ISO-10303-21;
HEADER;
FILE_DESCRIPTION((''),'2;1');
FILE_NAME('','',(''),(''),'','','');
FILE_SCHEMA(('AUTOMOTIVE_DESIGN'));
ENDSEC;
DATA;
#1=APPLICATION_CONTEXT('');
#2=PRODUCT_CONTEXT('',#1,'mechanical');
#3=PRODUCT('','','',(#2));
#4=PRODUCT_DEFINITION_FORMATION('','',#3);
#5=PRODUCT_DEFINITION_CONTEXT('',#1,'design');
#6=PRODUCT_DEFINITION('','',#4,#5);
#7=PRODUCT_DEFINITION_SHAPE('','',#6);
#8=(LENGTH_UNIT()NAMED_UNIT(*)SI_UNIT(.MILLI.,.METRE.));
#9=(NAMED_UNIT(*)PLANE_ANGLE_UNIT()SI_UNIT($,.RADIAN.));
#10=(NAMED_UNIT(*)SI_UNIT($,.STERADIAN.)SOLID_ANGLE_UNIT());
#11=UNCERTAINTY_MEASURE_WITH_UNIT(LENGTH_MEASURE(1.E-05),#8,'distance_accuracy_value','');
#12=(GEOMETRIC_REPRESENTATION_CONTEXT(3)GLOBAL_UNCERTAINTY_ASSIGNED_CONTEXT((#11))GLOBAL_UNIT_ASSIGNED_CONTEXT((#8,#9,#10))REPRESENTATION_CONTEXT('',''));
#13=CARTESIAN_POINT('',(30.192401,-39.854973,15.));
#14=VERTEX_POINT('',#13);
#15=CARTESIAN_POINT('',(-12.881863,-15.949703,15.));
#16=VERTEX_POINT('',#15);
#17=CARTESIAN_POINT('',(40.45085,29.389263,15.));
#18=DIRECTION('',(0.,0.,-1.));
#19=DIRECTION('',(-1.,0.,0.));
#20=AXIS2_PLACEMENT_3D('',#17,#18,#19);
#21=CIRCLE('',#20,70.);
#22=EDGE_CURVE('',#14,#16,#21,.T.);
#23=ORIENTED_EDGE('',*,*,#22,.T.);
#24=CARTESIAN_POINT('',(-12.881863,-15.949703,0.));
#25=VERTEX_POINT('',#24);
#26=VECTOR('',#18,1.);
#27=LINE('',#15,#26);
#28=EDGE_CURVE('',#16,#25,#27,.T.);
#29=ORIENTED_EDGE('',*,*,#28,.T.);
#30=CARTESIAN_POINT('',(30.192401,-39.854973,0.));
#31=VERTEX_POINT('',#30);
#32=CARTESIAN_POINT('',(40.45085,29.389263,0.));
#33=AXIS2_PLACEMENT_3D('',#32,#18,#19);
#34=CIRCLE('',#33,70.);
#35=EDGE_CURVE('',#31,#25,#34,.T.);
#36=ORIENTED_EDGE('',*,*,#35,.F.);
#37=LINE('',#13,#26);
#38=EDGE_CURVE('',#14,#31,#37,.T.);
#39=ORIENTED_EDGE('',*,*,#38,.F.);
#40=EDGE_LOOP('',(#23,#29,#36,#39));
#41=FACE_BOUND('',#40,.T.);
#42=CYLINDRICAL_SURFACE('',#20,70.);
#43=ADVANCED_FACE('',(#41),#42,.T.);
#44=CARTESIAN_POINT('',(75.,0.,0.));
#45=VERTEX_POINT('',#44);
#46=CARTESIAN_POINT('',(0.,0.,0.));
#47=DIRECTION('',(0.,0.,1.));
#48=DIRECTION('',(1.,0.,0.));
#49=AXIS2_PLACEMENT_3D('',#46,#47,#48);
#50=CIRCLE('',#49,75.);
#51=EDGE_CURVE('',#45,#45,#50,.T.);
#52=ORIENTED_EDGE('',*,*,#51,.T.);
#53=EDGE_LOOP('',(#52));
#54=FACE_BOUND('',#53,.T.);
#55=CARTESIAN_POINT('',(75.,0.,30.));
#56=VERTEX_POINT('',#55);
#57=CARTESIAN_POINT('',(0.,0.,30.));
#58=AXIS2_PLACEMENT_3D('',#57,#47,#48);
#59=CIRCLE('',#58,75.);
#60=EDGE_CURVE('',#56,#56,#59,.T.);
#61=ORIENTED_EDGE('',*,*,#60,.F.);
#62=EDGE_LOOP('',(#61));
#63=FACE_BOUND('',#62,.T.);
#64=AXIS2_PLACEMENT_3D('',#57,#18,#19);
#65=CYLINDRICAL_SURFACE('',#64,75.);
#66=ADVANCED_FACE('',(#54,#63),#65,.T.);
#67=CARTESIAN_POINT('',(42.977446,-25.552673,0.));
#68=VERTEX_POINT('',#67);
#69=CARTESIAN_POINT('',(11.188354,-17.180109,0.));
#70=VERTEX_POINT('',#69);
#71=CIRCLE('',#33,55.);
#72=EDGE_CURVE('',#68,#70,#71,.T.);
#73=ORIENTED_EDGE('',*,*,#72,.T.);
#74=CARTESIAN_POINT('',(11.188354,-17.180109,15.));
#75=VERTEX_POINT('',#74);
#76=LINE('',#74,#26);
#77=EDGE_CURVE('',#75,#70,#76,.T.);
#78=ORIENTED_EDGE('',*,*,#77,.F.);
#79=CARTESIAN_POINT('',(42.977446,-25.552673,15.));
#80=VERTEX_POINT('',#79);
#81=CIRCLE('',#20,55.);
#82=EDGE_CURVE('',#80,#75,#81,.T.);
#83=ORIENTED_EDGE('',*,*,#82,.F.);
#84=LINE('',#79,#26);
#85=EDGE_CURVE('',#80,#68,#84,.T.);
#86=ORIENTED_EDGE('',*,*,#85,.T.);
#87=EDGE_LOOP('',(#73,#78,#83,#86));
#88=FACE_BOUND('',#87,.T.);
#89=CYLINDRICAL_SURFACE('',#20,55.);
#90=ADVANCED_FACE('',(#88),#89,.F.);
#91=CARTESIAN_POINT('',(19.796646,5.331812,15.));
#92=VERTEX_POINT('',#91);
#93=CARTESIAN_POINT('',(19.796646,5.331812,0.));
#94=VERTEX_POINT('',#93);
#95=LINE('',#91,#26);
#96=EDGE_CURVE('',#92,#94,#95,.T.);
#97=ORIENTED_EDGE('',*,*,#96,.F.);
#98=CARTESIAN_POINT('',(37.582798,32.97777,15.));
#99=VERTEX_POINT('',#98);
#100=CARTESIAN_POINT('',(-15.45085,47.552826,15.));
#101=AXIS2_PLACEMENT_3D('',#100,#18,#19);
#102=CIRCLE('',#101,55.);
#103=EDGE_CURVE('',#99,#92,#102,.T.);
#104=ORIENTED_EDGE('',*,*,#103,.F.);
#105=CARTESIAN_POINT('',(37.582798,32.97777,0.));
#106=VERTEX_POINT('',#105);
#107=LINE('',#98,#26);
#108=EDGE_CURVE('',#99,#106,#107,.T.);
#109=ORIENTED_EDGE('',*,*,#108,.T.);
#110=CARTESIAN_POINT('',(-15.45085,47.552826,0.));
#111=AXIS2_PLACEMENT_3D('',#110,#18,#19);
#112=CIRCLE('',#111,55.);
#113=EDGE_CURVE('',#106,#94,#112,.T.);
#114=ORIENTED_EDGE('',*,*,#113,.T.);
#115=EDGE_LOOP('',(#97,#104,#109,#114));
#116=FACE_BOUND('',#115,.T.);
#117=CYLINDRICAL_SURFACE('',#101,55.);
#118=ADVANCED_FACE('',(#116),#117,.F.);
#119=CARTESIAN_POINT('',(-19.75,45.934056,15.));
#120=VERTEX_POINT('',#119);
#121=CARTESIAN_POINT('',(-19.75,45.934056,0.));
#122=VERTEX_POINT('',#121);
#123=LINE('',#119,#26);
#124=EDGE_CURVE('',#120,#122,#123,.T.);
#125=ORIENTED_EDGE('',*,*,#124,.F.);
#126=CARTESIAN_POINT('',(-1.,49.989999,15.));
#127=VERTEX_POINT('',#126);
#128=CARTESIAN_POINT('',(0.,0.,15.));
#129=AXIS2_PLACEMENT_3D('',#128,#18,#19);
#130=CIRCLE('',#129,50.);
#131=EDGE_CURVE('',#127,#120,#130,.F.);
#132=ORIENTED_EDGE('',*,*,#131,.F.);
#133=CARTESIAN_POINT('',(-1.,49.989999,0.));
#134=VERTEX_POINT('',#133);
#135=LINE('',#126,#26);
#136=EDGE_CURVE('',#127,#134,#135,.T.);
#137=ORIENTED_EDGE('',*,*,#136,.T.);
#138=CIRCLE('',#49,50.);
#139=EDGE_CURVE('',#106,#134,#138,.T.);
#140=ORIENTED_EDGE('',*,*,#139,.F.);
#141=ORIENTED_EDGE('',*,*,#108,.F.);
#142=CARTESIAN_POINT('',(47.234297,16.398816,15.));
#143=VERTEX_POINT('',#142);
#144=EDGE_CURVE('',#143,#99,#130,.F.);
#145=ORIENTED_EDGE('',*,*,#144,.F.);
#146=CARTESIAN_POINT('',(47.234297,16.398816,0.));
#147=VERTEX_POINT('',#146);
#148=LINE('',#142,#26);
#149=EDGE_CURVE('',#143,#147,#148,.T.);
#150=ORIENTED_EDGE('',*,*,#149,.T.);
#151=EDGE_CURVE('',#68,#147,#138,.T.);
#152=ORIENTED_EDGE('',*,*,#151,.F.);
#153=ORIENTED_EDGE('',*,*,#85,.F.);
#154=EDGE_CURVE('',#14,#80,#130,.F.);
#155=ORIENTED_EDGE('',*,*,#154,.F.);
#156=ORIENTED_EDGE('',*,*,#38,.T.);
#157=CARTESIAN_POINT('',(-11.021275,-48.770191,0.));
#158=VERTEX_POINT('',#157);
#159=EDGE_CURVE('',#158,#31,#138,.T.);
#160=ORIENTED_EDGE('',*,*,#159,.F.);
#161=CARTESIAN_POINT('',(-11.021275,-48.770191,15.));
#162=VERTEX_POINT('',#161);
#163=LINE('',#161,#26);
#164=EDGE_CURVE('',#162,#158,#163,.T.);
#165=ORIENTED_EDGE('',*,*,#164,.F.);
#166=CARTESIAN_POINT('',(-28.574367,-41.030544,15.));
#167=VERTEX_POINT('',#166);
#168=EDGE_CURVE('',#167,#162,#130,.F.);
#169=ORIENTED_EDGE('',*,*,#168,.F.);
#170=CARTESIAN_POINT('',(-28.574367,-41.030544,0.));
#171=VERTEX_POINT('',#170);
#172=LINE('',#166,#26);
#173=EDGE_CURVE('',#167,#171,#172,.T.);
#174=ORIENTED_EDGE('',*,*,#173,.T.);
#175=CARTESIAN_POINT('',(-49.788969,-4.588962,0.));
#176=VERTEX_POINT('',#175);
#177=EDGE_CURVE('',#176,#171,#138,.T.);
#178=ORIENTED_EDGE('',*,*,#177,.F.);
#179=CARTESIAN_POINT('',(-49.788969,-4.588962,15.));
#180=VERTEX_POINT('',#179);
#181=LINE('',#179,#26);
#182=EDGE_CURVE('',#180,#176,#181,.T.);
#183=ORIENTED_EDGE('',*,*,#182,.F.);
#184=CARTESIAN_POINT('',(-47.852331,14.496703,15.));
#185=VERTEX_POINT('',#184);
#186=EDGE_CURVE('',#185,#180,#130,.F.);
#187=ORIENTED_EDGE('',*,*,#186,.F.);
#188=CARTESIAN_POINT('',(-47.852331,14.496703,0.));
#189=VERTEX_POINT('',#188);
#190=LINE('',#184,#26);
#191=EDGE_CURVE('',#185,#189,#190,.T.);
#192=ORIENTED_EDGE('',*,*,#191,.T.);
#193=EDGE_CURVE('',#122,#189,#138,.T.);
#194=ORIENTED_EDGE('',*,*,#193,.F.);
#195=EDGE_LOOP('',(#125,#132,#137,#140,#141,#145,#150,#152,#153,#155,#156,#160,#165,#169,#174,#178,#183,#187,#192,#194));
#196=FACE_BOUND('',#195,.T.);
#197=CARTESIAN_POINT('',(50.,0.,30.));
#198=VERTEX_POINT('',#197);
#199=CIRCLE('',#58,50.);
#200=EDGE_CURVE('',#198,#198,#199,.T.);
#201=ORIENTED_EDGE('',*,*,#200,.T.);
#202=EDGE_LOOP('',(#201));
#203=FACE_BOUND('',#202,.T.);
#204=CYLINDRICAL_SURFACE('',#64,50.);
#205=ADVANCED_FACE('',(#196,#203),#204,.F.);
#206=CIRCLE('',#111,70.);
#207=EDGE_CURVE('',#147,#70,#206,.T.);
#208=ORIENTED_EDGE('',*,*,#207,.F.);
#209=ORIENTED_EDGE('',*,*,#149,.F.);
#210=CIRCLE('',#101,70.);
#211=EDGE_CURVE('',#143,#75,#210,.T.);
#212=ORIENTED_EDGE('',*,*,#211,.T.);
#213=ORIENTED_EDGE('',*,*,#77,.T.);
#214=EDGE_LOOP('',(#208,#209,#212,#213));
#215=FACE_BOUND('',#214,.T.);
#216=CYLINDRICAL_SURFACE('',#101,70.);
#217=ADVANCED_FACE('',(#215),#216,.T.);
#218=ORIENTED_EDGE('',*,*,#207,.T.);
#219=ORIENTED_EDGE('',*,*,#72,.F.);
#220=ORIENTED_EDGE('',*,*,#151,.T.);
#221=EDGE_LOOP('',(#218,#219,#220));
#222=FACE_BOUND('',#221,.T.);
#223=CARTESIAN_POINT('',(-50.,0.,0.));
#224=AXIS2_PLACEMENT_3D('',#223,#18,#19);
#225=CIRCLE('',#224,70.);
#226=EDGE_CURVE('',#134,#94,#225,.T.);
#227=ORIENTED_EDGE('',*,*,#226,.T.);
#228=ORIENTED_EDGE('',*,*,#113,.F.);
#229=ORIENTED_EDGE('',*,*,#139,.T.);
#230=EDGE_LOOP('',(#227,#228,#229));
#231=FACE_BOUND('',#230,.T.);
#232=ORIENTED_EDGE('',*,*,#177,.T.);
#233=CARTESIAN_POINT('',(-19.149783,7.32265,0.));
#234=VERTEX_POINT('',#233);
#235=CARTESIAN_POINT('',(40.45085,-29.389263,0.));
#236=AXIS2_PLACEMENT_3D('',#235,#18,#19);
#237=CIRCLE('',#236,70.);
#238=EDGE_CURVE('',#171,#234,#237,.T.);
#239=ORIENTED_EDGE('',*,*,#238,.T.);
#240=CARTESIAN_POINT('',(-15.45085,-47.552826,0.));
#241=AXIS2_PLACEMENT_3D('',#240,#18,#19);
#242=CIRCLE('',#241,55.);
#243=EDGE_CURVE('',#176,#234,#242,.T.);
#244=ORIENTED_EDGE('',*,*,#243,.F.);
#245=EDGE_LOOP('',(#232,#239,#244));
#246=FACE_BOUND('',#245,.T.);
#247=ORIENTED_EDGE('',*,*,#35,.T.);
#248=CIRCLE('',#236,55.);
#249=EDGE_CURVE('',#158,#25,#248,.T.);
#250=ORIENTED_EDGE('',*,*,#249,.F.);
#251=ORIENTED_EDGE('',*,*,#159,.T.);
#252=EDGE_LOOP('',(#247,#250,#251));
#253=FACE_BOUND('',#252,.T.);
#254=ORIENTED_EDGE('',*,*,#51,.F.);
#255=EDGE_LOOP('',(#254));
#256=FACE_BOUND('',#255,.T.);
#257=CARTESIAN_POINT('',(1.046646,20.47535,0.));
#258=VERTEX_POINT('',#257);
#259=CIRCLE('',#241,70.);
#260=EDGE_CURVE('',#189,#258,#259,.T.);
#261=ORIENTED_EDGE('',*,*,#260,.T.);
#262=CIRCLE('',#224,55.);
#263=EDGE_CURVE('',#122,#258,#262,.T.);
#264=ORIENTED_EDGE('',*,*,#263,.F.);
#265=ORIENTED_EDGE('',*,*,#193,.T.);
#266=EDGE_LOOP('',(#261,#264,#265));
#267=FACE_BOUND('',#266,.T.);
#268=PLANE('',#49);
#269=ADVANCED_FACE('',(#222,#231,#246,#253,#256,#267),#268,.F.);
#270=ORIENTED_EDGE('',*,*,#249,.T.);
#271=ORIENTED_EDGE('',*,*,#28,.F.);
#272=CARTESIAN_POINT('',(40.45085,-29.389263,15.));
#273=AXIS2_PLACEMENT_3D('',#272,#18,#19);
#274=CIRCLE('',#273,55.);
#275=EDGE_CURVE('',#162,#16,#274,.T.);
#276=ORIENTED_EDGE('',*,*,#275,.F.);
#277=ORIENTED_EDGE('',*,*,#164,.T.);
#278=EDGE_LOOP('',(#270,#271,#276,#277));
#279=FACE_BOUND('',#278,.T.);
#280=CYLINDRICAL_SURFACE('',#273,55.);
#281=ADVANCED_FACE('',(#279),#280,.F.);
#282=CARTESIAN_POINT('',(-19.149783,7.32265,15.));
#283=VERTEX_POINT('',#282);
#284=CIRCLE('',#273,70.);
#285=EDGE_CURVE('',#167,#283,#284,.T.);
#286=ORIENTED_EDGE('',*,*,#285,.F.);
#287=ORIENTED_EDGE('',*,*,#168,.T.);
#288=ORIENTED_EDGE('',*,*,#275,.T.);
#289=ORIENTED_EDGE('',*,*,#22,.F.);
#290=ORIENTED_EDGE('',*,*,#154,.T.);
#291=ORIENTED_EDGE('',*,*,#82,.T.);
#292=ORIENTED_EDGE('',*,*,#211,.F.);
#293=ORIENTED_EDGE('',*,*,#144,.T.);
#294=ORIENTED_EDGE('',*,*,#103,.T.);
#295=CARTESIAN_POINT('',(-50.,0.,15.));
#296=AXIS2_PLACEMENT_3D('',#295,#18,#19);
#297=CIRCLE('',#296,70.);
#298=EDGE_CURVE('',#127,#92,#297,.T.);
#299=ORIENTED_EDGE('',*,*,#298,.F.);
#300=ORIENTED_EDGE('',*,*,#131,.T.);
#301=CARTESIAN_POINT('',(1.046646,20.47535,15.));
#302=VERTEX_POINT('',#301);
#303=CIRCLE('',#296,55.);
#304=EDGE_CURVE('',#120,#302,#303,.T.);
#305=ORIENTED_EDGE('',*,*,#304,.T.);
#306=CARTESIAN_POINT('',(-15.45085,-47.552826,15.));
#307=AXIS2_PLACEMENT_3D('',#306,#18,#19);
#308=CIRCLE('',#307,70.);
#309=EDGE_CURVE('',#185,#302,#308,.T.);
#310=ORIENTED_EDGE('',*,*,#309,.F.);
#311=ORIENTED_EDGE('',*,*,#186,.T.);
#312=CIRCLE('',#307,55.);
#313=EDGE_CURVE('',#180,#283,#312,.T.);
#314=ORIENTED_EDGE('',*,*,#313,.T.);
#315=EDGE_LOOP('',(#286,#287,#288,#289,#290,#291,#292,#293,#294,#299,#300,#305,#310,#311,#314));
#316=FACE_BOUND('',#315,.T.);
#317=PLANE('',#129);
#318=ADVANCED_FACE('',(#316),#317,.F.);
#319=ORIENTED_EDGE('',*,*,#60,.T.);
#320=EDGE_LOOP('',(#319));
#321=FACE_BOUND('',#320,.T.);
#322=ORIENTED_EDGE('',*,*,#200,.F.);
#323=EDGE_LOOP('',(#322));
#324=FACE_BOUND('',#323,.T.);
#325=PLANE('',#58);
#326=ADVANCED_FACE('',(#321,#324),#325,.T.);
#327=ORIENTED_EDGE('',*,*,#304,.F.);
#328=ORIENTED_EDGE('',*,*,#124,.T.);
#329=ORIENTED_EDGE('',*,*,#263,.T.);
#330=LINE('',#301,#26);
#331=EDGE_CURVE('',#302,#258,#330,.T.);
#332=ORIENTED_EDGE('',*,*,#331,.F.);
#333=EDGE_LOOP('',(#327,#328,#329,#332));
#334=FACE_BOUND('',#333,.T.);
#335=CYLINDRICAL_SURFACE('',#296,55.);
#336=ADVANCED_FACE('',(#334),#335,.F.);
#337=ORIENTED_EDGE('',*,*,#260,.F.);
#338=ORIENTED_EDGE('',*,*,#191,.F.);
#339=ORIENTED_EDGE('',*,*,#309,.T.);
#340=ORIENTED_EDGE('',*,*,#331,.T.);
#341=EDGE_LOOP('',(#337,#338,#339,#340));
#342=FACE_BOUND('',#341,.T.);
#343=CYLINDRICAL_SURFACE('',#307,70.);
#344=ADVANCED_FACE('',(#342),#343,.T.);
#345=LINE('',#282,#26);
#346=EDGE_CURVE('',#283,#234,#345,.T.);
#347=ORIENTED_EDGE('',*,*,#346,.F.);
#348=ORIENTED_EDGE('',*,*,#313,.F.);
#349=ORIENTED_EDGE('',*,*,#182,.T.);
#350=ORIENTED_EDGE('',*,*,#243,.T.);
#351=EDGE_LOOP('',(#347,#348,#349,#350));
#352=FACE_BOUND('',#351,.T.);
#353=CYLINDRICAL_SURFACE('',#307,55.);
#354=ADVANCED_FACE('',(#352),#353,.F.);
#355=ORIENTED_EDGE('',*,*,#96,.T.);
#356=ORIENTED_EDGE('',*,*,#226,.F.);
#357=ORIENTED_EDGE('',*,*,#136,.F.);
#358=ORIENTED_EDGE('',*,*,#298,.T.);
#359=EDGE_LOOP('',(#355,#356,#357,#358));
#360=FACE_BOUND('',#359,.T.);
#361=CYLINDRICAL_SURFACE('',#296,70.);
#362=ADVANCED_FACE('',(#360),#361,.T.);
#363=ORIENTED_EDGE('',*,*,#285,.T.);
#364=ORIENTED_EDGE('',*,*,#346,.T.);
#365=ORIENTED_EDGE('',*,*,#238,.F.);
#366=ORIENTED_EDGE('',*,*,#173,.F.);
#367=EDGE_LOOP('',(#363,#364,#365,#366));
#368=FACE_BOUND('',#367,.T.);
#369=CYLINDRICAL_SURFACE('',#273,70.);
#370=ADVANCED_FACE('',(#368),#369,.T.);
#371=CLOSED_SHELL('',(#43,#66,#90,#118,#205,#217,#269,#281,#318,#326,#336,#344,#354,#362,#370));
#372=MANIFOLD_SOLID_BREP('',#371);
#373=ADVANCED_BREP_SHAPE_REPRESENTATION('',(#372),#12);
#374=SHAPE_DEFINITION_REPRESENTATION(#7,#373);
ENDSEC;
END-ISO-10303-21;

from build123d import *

# Parameters (mm, degrees)
SKETCH1_R           = 75
SKETCH1_R_2         = 50
BOSS_EXTRUDE1_DEPTH = 30
BOSS_EXTRUDE2_DEPTH = 15


with BuildPart() as part:
    # Sketch1 → Boss-Extrude1 (new body)
    with BuildSketch(Plane.XY):
        Circle(SKETCH1_R)
        Circle(SKETCH1_R_2, mode=Mode.SUBTRACT)
    extrude(amount=BOSS_EXTRUDE1_DEPTH)

    # Sketch2 → Boss-Extrude2 (add)
    with BuildSketch(Plane(origin=(0, 0, 0), x_dir=(-1, 0, 0), z_dir=(0, 0, -1))):
        with BuildLine():
            ThreePointArc((-19.796645951, 5.331811511), (-30.803499375, 17.794882511), (-37.582797631, 32.977770122))
            ThreePointArc((-37.582797631, 32.977770122), (-43.211113504, 25.15550973), (-47.234297303, 16.398815759))
            ThreePointArc((-47.234297303, 16.398815759), (-32.262837592, -3.666350702), (-11.18835411, -17.180108765))
            ThreePointArc((-11.18835411, -17.180108765), (-26.44274376, -23.796947698), (-42.97744633, -25.552673186))
            ThreePointArc((-42.97744633, -25.552673186), (-37.277279866, -33.322731067), (-30.192401169, -39.854973487))
            ThreePointArc((-30.192401169, -39.854973487), (-6.482858375, -31.816746601), (12.881862833, -15.949702657))
            ThreePointArc((12.881862833, -15.949702657), (14.460984976, -32.502205015), (11.021275052, -48.770190652))
            ThreePointArc((11.021275052, -48.770190652), (20.17248754, -45.750090125), (28.57436718, -41.030543992))
            ThreePointArc((28.57436718, -41.030543992), (28.256210772, -15.997480106), (19.149783179, 7.322650414))
            ThreePointArc((19.149783179, 7.322650414), (35.380123986, 3.709480291), (49.788968911, -4.588962272))
            ThreePointArc((49.788968911, -4.588962272), (49.947214365, -2.296906009), (50, 0))
            ThreePointArc((50, 0), (49.460168644, 7.327463252), (47.852331292, 14.496702726))
            ThreePointArc((47.852331292, 14.496702726), (23.946157025, 21.929760162), (-1.046645951, 20.4753495))
            ThreePointArc((-1.046645951, 20.4753495), (7.405134174, 34.794789915), (19.75, 45.934055993))
            ThreePointArc((19.75, 45.934055993), (10.571343028, 48.869691083), (1, 49.989999))
            ThreePointArc((1, 49.989999), (-13.45667183, 29.550817252), (-19.796645951, 5.331811511))
        make_face()
    extrude(amount=-BOSS_EXTRUDE2_DEPTH)


solid = part.part
